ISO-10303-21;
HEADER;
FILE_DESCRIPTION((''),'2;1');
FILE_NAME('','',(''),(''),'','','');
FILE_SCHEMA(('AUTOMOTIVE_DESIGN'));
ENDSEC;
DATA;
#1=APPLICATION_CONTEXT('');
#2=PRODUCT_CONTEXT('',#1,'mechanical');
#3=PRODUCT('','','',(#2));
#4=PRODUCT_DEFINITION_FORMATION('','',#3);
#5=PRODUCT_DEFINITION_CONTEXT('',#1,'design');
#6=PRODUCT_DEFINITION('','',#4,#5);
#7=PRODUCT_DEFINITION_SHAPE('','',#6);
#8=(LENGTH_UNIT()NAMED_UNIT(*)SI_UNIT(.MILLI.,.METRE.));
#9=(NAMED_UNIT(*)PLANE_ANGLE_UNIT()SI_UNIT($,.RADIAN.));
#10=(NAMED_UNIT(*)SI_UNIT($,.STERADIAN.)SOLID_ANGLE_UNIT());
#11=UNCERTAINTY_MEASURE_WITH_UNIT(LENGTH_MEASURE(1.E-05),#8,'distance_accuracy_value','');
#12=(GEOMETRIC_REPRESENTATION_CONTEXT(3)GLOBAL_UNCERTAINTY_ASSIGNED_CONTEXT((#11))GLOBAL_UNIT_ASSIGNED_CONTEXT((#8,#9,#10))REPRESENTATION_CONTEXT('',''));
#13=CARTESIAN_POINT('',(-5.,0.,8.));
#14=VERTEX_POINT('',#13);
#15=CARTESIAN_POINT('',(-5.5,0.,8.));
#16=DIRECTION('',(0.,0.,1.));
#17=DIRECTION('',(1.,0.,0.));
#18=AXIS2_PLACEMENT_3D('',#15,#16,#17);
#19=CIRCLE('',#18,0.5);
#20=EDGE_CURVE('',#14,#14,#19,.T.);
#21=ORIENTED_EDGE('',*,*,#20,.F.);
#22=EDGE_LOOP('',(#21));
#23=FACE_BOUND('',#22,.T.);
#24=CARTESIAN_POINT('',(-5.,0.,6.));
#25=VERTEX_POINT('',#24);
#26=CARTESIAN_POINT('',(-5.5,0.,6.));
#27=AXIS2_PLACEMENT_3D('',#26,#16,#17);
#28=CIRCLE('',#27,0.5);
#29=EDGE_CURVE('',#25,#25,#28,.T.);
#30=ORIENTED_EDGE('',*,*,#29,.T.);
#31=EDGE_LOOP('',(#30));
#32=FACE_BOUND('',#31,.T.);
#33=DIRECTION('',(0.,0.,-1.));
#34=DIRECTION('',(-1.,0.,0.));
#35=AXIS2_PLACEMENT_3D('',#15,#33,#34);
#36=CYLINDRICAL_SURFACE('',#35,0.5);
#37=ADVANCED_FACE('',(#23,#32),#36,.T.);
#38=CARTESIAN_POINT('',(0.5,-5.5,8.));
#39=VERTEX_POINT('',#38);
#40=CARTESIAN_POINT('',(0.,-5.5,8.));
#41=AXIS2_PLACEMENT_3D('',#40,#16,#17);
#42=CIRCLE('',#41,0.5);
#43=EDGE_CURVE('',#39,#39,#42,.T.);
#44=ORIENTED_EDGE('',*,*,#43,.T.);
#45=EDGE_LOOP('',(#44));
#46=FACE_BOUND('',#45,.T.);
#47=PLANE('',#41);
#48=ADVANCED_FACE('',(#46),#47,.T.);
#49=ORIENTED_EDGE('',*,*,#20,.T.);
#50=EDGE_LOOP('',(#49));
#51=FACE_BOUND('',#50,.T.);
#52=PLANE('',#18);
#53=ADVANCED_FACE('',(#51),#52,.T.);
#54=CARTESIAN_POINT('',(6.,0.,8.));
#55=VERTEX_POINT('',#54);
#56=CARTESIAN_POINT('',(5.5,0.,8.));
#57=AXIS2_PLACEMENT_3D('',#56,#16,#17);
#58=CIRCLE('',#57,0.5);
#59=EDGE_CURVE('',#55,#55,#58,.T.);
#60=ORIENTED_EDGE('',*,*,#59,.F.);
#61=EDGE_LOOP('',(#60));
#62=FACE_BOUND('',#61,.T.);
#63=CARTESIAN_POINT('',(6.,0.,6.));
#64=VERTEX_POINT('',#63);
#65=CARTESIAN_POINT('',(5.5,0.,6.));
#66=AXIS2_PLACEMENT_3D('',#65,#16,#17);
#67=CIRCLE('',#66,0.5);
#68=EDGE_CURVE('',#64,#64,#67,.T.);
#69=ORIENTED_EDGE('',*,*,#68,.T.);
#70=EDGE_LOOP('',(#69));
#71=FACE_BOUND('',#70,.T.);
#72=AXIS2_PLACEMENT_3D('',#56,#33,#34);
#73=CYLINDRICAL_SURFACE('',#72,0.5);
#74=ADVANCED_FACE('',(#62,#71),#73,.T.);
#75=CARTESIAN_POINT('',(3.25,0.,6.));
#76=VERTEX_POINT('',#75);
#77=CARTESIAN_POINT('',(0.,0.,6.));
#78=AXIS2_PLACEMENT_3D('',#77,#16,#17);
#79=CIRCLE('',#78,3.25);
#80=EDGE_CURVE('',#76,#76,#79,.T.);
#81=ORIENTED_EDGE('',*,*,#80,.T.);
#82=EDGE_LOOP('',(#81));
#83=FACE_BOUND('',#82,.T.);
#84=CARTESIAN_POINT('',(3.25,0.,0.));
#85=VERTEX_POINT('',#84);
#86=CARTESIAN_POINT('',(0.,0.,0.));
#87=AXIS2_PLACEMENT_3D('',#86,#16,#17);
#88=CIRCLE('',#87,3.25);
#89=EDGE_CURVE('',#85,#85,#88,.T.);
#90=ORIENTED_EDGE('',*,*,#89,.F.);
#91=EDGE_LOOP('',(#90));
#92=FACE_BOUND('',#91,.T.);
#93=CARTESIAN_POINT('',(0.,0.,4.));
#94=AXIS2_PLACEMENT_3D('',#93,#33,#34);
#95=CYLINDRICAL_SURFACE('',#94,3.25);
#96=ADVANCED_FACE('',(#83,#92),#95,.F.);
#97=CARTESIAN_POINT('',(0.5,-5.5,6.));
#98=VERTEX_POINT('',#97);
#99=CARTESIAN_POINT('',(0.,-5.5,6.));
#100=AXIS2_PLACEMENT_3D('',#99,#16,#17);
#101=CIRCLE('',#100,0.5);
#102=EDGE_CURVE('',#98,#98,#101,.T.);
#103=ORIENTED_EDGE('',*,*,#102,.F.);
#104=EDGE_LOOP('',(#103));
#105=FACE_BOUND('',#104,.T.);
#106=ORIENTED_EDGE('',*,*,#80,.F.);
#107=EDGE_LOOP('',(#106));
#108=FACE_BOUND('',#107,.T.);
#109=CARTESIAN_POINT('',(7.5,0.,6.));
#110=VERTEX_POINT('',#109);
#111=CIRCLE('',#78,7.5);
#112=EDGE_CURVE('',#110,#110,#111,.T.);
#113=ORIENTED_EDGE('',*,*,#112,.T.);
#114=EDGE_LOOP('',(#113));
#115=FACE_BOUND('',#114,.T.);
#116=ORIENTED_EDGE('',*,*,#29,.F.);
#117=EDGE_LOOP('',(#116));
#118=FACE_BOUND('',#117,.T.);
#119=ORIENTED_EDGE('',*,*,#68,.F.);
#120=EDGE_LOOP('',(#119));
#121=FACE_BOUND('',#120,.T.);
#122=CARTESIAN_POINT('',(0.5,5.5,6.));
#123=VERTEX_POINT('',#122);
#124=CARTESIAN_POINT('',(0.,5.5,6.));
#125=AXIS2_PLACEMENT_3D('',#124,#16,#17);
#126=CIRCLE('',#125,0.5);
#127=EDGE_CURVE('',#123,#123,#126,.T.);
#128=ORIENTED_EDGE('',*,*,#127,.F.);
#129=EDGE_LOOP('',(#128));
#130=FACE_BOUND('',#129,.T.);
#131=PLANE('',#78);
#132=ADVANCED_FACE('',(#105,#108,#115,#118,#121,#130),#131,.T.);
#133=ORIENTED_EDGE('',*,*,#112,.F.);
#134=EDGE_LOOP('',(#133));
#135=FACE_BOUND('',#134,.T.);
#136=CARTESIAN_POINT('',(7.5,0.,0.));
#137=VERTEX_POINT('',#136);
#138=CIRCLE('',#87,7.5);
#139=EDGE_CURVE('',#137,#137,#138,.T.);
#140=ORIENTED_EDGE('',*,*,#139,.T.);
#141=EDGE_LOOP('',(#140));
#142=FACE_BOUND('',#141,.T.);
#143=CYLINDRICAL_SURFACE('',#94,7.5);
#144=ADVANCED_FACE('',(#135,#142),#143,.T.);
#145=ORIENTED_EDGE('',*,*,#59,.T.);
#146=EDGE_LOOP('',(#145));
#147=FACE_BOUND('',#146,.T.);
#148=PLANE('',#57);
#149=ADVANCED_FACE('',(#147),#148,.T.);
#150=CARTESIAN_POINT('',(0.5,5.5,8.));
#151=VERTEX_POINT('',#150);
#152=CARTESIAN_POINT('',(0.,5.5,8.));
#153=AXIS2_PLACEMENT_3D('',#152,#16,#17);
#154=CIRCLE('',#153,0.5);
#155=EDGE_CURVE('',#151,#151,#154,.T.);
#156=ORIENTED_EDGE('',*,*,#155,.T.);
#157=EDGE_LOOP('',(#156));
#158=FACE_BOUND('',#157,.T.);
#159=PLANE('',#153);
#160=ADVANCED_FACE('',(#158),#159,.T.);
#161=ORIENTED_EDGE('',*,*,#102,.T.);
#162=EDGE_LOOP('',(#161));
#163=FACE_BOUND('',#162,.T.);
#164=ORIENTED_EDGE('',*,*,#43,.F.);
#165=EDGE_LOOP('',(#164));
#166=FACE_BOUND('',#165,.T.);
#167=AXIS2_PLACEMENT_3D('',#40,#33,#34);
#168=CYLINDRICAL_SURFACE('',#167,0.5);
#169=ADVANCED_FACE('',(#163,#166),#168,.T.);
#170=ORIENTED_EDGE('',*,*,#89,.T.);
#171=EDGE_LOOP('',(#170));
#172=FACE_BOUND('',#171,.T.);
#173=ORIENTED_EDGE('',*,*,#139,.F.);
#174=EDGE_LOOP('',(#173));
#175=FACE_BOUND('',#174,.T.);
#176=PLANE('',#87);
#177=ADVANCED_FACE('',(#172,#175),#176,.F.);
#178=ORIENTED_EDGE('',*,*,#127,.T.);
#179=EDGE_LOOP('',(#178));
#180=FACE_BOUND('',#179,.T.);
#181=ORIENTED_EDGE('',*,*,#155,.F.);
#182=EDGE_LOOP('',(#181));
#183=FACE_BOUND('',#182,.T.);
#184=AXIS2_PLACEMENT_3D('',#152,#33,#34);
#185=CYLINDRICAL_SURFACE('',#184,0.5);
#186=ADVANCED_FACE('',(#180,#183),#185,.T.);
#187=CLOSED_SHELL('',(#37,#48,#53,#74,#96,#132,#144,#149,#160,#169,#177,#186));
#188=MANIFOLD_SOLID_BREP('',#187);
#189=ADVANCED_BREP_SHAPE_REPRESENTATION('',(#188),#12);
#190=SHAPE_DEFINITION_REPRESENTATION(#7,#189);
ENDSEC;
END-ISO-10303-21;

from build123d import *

# Parameters (mm, degrees)
SZKIC1_R                    = 7.5
SZKIC1_R_2                  = 3.25
DODANIE_WYCI_GNI_CIE1_DEPTH = 4
SZKIC2_R                    = 7.5
SZKIC2_R_2                  = 3.25
DODANIE_WYCI_GNI_CIE2_DEPTH = 2
SZKIC3_R                    = 0.5
DODANIE_WYCI_GNI_CIE3_DEPTH = 2


with BuildPart() as part:
    # Szkic1 → Dodanie-wyciągnięcie1 (new body)
    with BuildSketch(Plane.XY):
        Circle(SZKIC1_R)
        Circle(SZKIC1_R_2, mode=Mode.SUBTRACT)
    extrude(amount=DODANIE_WYCI_GNI_CIE1_DEPTH)

    # Szkic2 → Dodanie-wyciągnięcie2 (add)
    with BuildSketch(Plane.XY.offset(4)):
        Circle(SZKIC2_R)
        Circle(SZKIC2_R_2, mode=Mode.SUBTRACT)
    extrude(amount=DODANIE_WYCI_GNI_CIE2_DEPTH)

    # Szkic3 → Dodanie-wyciągnięcie3 (add)
    with BuildSketch(Plane.XY.offset(6)):
        with Locations((0, 5.5)):
            Circle(SZKIC3_R)
        with Locations((5.5, 0)):
            Circle(SZKIC3_R)
        with Locations((0, -5.5)):
            Circle(SZKIC3_R)
        with Locations((-5.5, 0)):
            Circle(SZKIC3_R)
    extrude(amount=DODANIE_WYCI_GNI_CIE3_DEPTH)


solid = part.part
